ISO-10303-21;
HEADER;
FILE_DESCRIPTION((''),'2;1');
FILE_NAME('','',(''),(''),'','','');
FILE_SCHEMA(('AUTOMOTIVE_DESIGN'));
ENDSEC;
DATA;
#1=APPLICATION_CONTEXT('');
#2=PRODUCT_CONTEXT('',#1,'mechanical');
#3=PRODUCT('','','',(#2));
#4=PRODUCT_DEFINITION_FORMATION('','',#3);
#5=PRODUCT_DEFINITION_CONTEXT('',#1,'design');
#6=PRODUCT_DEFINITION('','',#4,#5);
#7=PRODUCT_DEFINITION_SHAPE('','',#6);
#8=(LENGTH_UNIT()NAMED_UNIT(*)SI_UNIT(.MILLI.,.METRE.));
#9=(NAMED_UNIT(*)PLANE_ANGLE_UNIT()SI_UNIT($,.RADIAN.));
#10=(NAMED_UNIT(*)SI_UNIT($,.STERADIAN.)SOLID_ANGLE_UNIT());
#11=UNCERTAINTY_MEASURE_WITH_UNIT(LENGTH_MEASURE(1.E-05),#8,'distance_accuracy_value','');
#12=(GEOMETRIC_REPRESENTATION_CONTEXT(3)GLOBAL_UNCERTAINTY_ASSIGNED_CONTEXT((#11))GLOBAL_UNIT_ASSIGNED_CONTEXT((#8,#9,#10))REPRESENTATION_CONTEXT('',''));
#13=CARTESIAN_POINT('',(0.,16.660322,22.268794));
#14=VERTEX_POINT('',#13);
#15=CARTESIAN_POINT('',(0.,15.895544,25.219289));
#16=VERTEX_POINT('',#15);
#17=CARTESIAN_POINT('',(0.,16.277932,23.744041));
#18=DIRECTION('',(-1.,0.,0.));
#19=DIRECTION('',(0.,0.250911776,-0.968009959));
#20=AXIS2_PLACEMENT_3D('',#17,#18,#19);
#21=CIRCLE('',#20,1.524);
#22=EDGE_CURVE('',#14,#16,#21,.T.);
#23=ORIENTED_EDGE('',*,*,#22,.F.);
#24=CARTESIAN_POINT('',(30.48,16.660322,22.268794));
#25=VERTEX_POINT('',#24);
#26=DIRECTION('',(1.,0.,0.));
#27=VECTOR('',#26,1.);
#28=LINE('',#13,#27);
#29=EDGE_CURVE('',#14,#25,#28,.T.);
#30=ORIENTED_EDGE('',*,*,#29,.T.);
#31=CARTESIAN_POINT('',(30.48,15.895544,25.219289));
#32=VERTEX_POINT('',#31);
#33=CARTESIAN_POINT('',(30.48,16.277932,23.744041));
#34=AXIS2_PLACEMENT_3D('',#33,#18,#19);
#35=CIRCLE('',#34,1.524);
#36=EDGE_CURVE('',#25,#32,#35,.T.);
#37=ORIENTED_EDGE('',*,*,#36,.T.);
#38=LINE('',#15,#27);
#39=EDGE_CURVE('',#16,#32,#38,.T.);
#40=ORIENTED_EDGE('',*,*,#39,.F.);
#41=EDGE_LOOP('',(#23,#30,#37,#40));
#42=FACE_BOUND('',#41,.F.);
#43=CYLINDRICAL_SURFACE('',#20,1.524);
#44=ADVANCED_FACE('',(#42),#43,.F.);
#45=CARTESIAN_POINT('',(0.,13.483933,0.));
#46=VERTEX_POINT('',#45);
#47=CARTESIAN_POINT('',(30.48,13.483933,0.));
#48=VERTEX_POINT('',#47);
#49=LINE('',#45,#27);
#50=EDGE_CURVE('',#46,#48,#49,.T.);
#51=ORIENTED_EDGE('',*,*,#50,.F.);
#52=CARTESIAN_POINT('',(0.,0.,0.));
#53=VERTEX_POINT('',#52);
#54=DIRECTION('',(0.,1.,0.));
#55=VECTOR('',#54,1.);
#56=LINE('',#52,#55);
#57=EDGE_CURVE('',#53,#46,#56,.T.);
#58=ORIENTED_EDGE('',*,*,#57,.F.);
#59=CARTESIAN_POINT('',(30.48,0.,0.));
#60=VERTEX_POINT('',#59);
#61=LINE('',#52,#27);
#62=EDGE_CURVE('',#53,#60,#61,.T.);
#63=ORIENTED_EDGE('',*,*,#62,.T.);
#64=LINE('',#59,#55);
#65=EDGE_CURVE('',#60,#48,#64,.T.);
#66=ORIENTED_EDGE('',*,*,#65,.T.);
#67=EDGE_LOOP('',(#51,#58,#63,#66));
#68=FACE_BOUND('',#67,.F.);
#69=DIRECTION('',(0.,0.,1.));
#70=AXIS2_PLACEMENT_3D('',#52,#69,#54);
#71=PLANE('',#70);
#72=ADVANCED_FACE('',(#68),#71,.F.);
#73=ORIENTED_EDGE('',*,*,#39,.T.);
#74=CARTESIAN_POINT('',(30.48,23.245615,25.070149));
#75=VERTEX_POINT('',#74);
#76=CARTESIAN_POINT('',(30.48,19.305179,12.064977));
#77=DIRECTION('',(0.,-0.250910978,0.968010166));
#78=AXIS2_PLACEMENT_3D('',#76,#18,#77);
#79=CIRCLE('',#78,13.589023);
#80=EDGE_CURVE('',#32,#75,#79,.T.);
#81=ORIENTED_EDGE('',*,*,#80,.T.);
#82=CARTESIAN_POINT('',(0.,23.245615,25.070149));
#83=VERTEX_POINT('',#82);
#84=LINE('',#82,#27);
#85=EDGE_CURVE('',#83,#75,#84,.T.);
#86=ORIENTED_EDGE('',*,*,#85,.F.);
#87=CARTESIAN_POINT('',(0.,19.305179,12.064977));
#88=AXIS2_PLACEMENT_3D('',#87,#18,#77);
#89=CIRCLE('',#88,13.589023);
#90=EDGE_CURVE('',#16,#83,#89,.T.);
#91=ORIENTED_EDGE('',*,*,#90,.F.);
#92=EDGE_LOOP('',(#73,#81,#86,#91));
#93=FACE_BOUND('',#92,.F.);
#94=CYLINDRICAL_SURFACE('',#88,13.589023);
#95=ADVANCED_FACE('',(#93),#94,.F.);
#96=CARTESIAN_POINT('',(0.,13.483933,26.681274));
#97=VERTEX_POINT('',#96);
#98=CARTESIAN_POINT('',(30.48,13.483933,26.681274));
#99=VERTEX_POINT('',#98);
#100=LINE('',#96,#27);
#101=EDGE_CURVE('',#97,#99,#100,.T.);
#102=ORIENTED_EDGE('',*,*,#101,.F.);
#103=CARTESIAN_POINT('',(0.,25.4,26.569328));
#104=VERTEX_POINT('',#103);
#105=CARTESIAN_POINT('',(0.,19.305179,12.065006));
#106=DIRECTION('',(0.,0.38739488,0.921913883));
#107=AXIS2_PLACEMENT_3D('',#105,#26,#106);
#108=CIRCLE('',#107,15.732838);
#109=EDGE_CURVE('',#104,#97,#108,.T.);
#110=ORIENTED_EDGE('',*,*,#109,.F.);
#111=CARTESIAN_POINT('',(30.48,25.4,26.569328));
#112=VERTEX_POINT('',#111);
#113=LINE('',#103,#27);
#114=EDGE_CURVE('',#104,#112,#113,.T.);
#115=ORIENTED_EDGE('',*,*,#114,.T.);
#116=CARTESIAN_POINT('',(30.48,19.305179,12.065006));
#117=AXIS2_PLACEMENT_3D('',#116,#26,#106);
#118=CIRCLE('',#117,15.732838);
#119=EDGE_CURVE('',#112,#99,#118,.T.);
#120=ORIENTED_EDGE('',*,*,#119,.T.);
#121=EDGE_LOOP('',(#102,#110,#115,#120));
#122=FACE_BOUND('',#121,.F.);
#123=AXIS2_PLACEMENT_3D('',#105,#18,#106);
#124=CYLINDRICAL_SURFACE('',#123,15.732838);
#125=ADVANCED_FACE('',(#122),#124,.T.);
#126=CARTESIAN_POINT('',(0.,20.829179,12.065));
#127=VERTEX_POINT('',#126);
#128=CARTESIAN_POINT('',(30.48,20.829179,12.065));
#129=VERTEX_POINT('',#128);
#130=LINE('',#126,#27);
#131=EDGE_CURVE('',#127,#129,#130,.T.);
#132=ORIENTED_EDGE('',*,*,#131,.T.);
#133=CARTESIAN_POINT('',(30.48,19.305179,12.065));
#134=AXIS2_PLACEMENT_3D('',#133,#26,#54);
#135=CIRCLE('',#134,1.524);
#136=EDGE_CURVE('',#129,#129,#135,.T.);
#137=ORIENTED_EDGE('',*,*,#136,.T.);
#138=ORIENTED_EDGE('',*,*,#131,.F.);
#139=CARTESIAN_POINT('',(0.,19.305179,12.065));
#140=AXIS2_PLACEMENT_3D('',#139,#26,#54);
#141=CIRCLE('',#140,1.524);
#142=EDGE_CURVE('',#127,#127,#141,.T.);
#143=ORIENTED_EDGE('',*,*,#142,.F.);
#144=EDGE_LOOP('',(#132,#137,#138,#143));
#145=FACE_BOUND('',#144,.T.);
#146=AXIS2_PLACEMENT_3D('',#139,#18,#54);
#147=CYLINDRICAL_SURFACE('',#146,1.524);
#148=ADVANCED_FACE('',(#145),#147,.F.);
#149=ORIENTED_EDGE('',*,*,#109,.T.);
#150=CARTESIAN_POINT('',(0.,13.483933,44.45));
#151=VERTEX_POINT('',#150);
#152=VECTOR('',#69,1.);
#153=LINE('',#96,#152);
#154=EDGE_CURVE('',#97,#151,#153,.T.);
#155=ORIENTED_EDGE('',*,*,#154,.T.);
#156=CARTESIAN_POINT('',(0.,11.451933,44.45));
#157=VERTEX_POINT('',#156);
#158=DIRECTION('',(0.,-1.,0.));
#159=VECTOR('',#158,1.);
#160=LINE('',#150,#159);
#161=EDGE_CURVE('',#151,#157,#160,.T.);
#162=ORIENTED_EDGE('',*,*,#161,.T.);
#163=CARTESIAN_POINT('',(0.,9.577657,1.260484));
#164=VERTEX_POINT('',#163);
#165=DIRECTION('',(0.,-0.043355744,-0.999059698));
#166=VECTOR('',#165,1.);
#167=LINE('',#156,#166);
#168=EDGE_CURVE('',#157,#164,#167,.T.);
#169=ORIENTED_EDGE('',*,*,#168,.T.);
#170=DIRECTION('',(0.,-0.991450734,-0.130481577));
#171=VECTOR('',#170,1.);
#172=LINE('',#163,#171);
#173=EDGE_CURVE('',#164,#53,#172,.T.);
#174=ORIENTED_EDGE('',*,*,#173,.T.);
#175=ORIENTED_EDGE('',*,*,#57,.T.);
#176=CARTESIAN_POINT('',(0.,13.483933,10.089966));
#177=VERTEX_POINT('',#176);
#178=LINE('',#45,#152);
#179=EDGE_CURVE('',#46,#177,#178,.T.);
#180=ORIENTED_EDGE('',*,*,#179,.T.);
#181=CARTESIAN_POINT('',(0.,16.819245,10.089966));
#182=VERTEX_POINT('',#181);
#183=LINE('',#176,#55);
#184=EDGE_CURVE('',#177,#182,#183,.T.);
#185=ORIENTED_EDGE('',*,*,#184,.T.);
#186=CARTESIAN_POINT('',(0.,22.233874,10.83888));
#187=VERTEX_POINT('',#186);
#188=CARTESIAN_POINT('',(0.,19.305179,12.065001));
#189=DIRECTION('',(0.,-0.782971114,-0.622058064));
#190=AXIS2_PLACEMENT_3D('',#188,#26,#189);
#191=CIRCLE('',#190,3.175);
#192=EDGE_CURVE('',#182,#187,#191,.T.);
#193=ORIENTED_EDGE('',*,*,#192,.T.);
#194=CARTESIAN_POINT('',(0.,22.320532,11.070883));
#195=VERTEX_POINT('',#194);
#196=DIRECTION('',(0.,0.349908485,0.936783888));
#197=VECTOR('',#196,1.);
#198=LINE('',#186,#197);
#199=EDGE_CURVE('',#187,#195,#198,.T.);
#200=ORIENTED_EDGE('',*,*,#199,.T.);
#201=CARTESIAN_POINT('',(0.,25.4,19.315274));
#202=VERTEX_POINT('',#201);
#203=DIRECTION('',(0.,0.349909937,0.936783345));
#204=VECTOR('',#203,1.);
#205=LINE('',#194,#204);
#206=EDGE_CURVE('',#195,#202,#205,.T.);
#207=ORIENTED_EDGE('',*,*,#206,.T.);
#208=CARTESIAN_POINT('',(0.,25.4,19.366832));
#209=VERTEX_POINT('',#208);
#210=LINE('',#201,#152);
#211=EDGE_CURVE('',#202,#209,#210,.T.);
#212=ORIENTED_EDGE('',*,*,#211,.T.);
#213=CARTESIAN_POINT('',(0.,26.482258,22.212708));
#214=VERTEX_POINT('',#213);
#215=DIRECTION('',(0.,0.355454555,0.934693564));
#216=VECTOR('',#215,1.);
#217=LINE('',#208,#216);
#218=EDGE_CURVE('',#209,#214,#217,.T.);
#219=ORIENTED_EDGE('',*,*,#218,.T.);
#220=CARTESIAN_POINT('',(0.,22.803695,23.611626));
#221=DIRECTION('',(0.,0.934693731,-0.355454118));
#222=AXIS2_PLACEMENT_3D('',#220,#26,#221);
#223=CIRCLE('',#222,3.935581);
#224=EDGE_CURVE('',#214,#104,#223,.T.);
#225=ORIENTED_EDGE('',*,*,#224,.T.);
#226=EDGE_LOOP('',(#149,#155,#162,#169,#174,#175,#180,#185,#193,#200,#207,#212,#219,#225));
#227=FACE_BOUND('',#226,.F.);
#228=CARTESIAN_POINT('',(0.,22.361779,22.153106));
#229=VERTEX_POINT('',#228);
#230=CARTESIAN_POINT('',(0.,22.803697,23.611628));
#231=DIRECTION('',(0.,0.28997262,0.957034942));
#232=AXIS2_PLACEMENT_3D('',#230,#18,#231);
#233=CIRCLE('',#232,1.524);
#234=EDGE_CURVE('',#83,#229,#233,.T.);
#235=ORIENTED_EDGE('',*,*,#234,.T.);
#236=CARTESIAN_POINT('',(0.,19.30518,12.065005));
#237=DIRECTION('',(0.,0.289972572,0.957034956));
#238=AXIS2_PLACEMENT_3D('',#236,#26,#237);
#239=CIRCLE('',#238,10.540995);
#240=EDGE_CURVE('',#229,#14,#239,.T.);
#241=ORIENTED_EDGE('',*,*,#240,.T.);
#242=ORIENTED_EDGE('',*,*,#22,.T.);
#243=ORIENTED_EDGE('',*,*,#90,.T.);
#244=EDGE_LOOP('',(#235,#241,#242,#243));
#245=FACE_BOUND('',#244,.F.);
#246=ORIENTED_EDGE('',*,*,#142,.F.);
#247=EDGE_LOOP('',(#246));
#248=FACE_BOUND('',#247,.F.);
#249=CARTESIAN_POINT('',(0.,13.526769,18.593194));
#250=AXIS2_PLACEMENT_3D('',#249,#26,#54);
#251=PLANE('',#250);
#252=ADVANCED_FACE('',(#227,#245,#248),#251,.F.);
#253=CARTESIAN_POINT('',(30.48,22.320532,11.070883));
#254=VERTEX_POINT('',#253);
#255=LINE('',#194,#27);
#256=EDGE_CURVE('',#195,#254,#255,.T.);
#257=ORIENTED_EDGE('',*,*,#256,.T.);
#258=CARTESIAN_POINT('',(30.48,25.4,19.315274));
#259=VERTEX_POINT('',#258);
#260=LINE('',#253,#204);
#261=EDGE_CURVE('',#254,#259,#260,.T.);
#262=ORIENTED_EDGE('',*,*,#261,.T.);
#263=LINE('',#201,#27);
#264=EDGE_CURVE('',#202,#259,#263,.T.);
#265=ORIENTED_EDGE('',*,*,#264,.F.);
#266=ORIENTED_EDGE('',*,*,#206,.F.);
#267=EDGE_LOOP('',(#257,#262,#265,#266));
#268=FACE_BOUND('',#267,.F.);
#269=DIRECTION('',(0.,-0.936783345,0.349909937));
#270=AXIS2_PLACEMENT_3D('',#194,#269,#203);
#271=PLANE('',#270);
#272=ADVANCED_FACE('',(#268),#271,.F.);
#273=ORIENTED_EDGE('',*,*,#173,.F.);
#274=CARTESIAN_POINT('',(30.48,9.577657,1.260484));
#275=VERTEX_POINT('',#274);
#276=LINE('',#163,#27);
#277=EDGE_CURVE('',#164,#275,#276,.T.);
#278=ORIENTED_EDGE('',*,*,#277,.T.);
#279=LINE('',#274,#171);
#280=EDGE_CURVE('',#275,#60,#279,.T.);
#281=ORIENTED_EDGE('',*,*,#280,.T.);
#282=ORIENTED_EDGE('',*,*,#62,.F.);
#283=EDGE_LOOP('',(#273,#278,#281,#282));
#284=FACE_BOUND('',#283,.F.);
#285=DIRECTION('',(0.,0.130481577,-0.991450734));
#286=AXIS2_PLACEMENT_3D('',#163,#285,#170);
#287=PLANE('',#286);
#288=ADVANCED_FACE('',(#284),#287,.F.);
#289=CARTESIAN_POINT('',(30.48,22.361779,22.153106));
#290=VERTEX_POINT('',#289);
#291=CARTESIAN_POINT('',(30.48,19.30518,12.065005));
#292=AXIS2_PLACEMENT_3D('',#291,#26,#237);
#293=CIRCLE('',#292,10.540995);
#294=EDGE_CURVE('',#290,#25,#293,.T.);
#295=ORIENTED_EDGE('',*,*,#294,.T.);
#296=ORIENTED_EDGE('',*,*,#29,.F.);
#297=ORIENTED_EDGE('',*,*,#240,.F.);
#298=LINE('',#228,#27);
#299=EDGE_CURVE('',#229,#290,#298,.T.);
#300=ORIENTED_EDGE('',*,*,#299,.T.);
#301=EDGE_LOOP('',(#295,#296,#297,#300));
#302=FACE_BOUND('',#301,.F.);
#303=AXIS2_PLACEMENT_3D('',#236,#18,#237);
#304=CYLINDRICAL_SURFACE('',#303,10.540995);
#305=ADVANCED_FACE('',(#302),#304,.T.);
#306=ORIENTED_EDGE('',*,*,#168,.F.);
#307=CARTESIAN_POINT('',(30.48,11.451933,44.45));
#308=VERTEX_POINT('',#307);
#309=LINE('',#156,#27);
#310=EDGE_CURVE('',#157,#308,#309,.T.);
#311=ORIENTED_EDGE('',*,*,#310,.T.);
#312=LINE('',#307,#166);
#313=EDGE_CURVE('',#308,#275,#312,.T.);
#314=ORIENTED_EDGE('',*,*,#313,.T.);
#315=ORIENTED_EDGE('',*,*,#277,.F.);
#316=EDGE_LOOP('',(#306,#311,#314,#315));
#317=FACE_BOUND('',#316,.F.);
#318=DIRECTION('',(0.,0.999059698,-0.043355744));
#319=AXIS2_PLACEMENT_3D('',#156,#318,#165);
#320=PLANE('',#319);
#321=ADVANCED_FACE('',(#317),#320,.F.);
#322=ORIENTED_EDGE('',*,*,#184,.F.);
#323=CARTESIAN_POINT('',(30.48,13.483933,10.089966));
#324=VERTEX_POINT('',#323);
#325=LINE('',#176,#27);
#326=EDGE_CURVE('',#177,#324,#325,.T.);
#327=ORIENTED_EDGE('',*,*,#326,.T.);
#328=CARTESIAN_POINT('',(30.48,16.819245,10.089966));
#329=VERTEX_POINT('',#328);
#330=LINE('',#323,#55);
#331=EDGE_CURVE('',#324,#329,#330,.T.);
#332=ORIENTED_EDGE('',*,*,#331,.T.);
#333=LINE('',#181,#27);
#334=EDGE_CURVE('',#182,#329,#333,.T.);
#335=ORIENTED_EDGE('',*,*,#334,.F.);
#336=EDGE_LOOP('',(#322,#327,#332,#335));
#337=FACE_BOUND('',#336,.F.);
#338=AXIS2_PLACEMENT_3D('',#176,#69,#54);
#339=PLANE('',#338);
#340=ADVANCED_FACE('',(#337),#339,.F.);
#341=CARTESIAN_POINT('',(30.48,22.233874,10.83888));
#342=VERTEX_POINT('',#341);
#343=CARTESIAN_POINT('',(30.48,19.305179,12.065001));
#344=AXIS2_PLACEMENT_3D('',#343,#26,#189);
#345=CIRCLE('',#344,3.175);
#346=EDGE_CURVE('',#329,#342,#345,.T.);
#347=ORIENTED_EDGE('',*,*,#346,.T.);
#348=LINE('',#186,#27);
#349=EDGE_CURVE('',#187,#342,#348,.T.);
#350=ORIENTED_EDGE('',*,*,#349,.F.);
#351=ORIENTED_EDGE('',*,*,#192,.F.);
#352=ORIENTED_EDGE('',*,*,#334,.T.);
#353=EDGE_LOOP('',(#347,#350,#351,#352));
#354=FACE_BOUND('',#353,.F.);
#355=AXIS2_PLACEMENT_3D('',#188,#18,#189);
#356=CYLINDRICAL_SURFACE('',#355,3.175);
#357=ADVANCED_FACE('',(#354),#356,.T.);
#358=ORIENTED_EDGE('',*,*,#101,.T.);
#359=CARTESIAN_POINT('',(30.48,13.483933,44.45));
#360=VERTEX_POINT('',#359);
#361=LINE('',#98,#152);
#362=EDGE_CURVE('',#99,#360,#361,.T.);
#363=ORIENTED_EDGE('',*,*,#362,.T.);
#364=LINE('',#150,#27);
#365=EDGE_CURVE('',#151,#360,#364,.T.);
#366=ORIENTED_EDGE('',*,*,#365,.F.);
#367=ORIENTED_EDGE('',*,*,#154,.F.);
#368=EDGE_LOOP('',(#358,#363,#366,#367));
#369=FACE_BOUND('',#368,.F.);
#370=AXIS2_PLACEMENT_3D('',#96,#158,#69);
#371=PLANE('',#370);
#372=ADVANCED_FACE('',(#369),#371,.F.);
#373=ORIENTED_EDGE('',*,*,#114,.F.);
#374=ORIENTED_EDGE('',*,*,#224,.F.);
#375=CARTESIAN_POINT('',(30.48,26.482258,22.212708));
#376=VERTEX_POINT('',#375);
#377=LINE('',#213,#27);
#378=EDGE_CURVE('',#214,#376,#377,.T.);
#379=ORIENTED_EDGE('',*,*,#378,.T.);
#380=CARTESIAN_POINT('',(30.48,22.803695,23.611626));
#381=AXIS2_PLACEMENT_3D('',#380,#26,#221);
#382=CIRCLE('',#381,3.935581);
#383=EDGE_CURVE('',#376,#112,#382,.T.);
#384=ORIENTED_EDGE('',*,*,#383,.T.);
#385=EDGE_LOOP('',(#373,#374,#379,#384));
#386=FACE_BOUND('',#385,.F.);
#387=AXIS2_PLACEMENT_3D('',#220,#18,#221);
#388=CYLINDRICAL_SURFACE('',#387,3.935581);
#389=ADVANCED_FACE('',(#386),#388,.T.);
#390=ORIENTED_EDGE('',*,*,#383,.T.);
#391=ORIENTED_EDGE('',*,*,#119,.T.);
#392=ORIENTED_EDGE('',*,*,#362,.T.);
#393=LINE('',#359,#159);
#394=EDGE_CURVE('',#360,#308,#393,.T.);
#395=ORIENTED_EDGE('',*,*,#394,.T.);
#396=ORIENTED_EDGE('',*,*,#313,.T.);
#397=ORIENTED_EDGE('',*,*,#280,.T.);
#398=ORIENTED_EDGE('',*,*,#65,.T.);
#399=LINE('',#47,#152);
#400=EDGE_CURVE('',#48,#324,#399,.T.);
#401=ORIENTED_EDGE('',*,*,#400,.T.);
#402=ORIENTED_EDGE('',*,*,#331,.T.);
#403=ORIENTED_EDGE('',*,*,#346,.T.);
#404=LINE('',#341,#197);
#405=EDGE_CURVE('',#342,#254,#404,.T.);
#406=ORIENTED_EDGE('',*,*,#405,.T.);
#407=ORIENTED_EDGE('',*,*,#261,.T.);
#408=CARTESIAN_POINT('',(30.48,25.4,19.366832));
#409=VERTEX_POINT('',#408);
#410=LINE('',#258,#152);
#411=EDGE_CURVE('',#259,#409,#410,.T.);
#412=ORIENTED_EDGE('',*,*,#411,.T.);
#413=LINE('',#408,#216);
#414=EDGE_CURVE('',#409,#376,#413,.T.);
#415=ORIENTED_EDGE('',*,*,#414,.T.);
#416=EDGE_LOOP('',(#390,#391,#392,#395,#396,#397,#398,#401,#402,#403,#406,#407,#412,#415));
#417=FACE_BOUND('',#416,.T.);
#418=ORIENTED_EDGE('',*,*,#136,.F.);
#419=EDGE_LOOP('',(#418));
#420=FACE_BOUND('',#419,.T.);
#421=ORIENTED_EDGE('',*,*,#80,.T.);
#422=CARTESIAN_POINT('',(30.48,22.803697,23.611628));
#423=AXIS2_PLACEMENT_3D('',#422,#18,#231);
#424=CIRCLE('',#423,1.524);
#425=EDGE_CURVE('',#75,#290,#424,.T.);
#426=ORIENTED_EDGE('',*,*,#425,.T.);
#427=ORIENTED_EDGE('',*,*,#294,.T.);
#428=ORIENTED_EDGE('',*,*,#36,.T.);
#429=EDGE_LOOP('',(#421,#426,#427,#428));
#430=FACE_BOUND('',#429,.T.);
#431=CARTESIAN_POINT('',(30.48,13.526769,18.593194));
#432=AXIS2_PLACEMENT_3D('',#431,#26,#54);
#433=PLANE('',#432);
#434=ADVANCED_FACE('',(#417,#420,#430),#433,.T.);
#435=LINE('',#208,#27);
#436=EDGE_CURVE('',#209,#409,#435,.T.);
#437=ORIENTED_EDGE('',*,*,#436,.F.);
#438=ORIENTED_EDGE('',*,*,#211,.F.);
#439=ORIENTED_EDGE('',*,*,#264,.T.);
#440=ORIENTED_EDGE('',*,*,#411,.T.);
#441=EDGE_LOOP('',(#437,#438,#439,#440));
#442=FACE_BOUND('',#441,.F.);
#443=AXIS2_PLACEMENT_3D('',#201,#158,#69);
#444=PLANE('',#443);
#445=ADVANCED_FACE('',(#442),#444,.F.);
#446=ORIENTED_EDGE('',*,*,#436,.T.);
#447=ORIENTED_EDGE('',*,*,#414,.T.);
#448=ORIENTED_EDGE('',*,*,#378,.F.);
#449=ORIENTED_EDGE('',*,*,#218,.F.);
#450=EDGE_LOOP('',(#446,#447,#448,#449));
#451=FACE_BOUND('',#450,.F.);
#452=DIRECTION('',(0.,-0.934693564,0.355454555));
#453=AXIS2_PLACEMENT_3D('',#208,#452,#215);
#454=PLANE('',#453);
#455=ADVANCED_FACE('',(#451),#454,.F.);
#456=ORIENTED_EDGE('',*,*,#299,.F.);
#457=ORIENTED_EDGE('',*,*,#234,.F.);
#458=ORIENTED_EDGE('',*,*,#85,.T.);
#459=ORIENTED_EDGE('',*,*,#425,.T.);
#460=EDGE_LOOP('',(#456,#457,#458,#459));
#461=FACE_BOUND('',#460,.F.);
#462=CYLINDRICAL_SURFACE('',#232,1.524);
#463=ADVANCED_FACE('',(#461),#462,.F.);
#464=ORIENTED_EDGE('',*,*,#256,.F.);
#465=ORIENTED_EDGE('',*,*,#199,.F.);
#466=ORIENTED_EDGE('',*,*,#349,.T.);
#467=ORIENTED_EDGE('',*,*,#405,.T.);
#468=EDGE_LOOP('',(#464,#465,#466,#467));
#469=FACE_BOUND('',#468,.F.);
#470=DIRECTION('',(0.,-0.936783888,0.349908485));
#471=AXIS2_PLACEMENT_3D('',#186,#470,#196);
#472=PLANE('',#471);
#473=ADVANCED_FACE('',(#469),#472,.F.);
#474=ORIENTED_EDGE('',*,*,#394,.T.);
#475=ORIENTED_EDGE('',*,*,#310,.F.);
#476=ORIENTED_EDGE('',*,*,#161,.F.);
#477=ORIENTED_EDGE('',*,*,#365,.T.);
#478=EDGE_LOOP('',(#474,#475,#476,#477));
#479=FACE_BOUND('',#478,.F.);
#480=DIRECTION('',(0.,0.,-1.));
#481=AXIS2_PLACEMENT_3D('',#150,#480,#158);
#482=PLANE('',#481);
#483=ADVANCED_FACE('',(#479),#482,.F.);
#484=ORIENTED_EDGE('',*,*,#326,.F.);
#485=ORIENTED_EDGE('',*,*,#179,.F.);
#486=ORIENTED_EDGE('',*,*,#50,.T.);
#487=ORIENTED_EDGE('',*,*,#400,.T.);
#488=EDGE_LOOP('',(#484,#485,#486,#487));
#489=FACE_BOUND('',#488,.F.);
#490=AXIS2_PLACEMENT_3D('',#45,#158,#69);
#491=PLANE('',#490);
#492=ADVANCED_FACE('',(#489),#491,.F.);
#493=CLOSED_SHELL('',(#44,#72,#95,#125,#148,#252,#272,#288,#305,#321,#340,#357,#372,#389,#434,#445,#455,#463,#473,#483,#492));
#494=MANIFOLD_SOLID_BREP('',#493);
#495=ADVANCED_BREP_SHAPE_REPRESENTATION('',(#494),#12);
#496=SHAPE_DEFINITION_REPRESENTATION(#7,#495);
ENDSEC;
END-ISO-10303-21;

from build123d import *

# Parameters (mm, degrees)
F0_R     = 1.524
F1_DEPTH = 30.48


with BuildPart() as f1:
    # F0 (on Right) → F1 (new body)
    with BuildSketch(Plane.YZ):
        with BuildLine():
            Line((9.577657, 1.260484), (0, 0))
            Line((0, 0), (13.483933, 0))
            Line((13.483933, 0), (13.483933, 10.089966))
            Line((13.483933, 10.089966), (16.819245, 10.089966))
            ThreePointArc((16.819245, 10.089966), (19.740182, 8.919941), (22.233874, 10.83888))
            Line((22.233874, 10.83888), (22.320532, 11.070883))
            Line((22.320532, 11.070883), (25.4, 19.315274))
            Line((25.4, 19.315274), (25.4, 19.366832))
            Line((25.4, 19.366832), (26.482258, 22.212708))
            ThreePointArc((26.482258, 22.212708), (26.623188, 24.560453), (25.4, 26.569328))
            ThreePointArc((25.4, 26.569328), (19.452975, 27.79715), (13.483933, 26.681274))
            Line((13.483933, 26.681274), (13.483933, 44.45))
            Line((13.483933, 44.45), (12.7, 44.45))
            Line((12.7, 44.45), (11.451933, 44.45))
            Line((11.451933, 44.45), (9.577657, 1.260484))
        make_face()
        with Locations((19.305179, 12.065)):
            Circle(F0_R, mode=Mode.SUBTRACT)
        with BuildLine():
            ThreePointArc((15.895544, 25.219289), (19.580856, 25.651203), (23.245615, 25.070149))
            ThreePointArc((23.245615, 25.070149), (24.262218, 23.169709), (22.361779, 22.153106))
            ThreePointArc((22.361779, 22.153106), (19.519022, 22.603831), (16.660322, 22.268794))
            ThreePointArc((16.660322, 22.268794), (14.802685, 23.361652), (15.895544, 25.219289))
        make_face(mode=Mode.SUBTRACT)
    extrude(amount=F1_DEPTH)


solid = f1.part
